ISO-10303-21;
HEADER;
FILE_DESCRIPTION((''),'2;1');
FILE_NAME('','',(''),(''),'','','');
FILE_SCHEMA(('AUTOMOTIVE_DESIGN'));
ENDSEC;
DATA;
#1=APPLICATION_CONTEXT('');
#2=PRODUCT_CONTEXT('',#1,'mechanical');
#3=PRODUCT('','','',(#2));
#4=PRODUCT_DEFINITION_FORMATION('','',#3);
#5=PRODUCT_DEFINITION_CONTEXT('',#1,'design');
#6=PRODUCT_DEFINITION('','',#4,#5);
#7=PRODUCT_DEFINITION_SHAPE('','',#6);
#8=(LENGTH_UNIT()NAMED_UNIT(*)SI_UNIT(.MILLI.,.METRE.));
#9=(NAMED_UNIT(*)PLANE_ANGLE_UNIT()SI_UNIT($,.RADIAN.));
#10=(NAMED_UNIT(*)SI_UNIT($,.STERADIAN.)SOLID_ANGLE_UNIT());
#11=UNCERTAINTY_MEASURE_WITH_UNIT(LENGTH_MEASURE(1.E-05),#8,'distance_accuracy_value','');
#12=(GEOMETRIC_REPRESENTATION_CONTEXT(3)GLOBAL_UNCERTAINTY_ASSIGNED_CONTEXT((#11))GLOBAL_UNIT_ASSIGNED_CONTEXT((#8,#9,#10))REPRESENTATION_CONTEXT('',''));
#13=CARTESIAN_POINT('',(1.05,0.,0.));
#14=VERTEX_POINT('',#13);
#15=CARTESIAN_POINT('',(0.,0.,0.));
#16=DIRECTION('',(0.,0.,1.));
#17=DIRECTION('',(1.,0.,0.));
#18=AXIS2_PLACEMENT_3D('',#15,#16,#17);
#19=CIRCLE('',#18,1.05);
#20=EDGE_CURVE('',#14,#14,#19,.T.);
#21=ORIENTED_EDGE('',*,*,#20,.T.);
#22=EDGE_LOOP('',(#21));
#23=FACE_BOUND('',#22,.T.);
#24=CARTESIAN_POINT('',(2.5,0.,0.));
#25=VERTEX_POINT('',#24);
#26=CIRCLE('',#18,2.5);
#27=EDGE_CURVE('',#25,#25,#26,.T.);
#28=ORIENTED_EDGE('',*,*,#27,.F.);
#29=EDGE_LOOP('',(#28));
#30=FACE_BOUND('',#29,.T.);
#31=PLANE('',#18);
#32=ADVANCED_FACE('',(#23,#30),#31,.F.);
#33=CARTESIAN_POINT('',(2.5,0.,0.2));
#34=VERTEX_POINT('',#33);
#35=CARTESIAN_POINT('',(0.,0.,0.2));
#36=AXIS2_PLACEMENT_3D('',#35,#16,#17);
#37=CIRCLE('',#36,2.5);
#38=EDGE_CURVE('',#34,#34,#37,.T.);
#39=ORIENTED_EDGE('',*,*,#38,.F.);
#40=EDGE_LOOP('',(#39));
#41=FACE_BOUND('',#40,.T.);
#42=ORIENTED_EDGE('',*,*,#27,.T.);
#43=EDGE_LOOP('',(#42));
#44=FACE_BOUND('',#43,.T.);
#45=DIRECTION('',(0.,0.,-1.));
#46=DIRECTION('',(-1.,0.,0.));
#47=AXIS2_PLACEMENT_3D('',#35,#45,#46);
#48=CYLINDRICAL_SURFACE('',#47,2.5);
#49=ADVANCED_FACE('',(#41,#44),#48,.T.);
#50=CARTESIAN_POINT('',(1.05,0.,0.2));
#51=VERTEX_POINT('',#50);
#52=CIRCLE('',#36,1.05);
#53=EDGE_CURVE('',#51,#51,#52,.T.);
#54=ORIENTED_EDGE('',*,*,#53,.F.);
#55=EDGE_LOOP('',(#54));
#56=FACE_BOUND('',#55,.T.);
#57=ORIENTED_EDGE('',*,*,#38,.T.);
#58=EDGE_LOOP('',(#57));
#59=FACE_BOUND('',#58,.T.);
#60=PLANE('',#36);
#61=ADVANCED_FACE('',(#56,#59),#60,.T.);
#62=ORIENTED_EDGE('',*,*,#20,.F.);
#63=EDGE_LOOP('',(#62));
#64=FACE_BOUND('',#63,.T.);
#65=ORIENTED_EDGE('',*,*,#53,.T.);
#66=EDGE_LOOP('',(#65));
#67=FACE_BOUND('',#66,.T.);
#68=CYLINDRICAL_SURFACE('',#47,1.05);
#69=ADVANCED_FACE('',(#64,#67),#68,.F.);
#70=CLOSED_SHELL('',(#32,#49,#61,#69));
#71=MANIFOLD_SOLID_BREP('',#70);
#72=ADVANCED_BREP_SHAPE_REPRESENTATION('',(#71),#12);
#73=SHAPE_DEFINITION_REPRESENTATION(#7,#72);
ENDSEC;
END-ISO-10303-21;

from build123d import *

# Parameters (mm, degrees)
GASKETSKE_R   = 2.5
GASKETSKE_R_2 = 1.05
GASKET_DEPTH  = 0.2


with BuildPart() as part:
    # GasketSke → Gasket (new body)
    with BuildSketch(Plane.XY):
        Circle(GASKETSKE_R)
        Circle(GASKETSKE_R_2, mode=Mode.SUBTRACT)
    extrude(amount=GASKET_DEPTH)


solid = part.part
